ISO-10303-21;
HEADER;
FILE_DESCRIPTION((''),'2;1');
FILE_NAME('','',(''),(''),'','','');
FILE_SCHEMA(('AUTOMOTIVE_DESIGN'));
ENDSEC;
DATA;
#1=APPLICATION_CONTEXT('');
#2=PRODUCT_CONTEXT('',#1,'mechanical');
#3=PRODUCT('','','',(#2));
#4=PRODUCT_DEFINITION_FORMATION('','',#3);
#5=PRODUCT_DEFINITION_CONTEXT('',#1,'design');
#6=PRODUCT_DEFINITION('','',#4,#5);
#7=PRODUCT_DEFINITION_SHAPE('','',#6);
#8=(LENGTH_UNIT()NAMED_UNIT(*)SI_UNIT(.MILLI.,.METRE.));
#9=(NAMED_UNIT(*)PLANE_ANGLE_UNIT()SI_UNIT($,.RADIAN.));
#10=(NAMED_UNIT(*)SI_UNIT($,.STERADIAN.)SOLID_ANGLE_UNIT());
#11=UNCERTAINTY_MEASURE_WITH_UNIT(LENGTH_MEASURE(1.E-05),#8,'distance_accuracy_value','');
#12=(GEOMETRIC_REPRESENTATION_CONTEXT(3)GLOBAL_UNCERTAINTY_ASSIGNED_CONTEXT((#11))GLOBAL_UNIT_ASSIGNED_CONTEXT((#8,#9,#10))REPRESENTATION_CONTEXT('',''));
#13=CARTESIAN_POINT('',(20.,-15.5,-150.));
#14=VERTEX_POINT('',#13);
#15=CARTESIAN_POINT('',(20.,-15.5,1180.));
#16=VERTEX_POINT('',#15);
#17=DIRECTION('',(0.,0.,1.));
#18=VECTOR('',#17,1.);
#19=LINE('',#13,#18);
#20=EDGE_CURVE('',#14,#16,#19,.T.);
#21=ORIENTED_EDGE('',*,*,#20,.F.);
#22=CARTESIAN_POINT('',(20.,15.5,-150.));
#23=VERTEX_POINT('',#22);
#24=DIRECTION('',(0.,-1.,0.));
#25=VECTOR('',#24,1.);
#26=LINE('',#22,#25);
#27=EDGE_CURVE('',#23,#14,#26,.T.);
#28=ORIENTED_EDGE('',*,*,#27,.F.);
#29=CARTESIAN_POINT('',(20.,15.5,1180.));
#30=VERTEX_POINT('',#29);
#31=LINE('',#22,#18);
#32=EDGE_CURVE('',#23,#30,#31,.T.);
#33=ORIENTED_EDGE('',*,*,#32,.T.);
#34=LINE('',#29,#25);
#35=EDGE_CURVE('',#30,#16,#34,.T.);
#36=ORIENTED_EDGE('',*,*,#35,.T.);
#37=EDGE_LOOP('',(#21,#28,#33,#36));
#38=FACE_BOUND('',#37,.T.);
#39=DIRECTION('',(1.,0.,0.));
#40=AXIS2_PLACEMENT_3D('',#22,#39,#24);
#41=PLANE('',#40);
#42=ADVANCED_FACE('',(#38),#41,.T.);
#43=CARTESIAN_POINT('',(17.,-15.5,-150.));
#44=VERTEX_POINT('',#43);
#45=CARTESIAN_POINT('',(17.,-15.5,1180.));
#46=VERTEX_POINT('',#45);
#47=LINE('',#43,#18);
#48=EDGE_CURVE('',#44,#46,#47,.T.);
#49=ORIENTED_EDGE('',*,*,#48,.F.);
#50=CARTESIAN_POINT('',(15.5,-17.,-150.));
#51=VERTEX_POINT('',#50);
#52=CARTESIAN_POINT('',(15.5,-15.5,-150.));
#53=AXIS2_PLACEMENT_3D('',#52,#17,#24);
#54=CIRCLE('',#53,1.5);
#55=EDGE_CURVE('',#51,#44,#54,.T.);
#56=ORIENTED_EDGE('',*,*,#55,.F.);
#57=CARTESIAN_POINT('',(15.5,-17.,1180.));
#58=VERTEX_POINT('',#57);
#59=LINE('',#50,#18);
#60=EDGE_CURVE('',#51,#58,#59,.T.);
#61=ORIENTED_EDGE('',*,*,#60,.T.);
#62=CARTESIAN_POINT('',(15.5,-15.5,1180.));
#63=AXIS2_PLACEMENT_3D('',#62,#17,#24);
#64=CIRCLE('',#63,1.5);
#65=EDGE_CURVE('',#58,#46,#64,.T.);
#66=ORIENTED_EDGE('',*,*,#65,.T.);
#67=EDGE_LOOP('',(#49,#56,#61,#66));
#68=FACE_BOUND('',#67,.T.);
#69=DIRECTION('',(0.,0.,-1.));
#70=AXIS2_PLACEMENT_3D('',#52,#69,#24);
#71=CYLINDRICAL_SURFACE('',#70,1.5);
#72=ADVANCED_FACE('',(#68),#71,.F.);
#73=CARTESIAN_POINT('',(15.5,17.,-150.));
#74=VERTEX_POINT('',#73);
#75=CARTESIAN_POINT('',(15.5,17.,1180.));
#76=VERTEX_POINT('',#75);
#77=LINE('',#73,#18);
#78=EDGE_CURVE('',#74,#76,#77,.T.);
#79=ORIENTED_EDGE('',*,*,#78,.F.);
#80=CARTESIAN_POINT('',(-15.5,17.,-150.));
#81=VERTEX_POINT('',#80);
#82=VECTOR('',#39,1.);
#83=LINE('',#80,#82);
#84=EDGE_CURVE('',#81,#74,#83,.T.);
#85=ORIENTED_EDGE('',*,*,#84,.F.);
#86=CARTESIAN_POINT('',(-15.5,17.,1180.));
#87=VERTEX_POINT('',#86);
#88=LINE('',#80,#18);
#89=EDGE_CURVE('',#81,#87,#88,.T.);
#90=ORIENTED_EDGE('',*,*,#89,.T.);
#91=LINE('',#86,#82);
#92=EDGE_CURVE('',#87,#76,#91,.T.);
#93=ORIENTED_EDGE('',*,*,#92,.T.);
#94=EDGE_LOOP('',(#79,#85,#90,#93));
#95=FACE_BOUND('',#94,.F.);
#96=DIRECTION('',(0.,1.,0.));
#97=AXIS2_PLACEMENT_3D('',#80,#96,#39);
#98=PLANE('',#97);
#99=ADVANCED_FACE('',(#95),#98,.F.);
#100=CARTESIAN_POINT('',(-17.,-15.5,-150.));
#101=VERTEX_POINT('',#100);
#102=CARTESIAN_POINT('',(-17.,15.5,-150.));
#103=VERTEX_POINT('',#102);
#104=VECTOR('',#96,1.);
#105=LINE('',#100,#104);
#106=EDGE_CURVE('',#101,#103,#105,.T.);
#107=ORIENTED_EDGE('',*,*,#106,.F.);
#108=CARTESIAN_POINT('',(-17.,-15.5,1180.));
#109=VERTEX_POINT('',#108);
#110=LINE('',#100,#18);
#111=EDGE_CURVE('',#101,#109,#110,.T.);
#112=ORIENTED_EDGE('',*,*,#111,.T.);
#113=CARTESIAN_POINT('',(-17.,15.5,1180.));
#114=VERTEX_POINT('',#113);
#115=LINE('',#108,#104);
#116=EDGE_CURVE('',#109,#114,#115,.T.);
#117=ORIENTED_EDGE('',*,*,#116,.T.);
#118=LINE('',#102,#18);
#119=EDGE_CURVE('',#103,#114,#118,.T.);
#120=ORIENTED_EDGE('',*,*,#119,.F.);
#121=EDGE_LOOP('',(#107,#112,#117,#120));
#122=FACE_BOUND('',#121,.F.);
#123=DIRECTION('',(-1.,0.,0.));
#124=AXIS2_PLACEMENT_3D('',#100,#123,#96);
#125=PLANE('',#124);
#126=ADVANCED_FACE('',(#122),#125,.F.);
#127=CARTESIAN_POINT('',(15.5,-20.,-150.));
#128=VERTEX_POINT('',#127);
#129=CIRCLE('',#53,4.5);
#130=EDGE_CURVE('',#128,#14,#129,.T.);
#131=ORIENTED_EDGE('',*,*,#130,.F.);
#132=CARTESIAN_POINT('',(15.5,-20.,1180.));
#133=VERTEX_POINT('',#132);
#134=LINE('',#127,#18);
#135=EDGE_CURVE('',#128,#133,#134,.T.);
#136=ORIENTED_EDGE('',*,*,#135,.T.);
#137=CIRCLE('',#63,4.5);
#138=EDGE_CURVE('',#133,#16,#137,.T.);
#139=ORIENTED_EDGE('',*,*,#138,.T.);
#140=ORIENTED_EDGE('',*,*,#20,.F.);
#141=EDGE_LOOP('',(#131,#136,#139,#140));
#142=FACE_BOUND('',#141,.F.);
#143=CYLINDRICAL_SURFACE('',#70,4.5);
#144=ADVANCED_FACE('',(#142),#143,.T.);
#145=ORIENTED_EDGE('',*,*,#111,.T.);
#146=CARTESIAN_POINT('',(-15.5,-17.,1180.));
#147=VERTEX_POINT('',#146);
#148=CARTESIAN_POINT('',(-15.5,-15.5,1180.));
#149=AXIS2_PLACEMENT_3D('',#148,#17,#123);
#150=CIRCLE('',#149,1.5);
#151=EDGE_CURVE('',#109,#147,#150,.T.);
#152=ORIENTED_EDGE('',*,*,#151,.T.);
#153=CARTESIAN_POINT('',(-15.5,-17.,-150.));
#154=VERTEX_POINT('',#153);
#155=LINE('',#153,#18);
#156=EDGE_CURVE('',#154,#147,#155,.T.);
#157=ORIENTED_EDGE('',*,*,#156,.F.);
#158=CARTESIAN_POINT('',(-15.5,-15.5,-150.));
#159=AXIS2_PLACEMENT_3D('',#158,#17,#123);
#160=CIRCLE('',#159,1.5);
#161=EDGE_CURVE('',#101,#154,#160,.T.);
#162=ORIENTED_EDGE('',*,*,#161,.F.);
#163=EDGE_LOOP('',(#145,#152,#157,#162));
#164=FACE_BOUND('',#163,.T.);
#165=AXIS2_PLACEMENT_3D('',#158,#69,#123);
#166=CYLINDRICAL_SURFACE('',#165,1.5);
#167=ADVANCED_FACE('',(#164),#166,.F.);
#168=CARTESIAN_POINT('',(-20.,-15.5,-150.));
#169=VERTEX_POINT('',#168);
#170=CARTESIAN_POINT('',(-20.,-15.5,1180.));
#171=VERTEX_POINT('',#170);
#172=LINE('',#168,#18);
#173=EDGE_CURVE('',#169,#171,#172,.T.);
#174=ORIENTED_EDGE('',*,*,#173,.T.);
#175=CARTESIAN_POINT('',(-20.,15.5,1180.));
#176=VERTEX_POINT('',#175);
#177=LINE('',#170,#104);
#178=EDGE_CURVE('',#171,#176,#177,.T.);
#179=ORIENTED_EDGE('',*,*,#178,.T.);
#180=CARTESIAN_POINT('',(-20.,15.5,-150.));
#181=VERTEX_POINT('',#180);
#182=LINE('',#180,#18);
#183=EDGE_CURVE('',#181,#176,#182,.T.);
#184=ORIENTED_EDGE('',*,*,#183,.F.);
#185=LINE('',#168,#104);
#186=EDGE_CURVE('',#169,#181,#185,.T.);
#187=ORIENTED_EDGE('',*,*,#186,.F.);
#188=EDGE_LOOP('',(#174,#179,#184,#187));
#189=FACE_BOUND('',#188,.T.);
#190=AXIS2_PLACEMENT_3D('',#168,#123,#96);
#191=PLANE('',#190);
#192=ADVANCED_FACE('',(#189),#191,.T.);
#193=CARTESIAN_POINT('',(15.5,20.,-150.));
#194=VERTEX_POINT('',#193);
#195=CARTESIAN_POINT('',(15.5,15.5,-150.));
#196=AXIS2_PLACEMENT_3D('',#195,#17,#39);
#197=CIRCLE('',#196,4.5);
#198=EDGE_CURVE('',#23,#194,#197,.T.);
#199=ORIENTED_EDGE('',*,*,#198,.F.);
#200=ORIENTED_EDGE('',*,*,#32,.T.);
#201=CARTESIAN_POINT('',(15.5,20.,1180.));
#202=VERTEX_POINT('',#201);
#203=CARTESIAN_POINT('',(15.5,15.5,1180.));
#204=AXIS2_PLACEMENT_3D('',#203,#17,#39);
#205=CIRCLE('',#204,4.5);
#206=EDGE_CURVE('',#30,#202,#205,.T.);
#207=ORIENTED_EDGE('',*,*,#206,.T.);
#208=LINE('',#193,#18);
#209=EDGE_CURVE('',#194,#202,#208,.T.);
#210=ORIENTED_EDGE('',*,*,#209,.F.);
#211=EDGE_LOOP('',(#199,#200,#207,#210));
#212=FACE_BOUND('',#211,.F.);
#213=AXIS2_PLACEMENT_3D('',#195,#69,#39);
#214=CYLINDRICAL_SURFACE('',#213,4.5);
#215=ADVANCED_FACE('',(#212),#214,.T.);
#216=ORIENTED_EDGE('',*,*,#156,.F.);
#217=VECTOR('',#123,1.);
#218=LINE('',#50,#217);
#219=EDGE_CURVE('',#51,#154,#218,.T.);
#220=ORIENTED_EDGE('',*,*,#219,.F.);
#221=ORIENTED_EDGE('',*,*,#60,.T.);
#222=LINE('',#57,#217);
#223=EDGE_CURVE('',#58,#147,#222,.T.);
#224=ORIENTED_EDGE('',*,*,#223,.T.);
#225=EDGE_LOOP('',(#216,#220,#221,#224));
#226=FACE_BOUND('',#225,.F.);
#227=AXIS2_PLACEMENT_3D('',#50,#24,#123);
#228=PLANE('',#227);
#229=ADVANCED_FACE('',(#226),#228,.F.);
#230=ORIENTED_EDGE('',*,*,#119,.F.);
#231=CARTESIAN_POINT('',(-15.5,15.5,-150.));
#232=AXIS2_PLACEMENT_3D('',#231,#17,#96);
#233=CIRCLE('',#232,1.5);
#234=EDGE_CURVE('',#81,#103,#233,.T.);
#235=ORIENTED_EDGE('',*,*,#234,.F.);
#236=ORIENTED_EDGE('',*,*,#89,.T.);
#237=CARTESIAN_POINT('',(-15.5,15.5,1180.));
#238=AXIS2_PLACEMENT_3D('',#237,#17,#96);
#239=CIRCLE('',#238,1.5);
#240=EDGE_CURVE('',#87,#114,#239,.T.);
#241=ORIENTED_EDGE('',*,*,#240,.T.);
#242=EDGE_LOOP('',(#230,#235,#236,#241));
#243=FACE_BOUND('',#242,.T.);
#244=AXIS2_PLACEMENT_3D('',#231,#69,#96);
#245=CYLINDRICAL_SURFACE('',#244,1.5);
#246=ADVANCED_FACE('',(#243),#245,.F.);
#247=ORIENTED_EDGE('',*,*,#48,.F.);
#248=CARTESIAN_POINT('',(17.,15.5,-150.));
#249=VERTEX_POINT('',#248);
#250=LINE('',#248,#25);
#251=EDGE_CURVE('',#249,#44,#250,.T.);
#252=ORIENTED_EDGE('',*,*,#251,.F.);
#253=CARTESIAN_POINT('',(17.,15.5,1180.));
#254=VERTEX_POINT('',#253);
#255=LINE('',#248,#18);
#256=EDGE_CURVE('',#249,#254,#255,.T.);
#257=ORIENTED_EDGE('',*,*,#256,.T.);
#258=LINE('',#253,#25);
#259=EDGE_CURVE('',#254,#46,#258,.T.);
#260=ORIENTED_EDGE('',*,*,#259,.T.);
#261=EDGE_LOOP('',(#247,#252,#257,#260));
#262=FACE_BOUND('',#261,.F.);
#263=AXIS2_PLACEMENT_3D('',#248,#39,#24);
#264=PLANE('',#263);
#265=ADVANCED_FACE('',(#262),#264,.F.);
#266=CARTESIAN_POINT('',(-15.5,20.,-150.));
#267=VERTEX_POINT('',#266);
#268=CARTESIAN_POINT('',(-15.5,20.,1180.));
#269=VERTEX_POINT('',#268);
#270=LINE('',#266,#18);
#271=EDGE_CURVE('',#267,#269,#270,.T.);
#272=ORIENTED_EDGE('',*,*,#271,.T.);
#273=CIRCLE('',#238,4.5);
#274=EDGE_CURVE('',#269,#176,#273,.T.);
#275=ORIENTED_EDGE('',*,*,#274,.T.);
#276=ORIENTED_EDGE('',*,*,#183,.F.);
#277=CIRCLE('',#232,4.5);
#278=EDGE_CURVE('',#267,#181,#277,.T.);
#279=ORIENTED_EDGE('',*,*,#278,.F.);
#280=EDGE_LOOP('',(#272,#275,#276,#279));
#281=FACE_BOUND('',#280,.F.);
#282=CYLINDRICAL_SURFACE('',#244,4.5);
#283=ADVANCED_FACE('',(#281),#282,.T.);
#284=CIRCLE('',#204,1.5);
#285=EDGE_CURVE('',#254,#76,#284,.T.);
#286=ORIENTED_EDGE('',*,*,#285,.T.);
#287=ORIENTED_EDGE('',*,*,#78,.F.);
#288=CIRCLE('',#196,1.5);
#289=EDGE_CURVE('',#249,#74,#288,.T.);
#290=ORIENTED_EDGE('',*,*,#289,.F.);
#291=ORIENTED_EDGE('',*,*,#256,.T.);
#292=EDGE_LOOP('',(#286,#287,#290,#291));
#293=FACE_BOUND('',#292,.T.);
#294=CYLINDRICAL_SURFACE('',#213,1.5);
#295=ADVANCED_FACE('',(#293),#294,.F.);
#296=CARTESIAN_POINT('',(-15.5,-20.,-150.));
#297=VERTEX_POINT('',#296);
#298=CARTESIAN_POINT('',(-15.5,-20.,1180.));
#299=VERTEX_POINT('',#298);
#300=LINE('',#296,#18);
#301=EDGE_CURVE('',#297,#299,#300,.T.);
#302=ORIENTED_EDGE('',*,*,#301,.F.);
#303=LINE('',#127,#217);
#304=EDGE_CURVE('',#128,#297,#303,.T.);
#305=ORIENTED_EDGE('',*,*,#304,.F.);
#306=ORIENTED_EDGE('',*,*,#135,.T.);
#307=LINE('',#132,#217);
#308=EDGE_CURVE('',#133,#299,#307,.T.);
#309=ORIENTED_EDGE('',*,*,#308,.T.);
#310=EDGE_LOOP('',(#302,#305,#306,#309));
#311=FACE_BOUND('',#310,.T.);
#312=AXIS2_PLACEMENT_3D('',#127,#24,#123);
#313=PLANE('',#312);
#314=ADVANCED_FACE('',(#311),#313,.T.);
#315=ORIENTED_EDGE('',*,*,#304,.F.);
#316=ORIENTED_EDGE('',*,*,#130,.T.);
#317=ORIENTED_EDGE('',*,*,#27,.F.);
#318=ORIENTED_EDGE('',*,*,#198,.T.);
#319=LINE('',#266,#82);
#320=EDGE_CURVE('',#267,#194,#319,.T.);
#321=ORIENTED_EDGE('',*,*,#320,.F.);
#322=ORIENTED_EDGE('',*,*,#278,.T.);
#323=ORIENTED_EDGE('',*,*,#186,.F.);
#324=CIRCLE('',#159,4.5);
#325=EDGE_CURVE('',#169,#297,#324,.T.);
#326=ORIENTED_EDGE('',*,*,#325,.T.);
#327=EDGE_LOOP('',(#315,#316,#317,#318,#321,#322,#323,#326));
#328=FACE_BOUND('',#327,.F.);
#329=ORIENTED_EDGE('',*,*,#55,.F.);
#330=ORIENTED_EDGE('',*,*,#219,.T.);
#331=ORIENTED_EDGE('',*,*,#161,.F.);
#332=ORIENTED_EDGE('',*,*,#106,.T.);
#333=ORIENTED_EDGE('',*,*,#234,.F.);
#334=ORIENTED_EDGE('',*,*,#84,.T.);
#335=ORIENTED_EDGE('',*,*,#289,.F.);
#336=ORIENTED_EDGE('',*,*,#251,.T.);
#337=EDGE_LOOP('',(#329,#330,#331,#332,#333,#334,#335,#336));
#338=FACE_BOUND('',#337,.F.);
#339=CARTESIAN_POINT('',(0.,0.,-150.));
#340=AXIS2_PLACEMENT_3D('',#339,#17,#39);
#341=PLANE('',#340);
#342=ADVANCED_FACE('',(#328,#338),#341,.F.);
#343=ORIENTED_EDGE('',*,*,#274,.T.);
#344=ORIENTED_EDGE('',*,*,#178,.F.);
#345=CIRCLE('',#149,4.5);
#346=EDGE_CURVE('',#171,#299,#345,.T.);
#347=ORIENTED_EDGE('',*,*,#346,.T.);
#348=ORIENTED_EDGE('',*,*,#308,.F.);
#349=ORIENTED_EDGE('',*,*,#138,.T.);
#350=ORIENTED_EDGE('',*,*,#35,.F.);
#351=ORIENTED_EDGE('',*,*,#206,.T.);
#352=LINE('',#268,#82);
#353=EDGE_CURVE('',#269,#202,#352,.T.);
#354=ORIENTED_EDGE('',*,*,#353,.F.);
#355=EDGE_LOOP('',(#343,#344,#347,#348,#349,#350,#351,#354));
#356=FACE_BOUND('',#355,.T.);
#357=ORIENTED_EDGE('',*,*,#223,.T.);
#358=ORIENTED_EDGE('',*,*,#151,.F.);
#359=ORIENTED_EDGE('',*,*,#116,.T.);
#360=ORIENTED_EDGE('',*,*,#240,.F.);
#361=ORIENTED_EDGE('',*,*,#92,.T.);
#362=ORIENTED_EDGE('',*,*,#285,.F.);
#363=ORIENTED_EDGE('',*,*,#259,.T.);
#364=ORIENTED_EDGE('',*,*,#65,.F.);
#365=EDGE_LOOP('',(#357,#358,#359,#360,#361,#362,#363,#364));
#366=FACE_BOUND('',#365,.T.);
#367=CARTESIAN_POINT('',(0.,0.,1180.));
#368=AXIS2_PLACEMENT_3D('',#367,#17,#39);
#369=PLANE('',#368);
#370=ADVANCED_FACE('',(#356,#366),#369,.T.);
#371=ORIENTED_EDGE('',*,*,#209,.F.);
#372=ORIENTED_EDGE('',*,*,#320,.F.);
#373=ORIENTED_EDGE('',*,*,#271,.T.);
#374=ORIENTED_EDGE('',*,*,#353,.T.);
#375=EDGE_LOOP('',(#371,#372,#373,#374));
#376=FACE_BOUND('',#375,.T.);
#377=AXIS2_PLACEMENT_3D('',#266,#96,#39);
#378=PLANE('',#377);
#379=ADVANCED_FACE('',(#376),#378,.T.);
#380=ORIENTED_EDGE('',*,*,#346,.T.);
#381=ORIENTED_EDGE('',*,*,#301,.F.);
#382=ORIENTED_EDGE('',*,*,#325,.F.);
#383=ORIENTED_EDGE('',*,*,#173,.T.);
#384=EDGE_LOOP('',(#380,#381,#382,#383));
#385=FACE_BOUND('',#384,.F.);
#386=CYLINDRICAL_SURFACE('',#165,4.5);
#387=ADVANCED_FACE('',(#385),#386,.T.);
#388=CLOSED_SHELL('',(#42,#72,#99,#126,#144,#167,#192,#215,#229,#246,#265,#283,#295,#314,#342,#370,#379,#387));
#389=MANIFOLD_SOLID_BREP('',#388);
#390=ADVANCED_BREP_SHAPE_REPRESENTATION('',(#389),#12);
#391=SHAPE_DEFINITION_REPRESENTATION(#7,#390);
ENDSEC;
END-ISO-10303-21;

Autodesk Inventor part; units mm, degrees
ref_plane "Start Plane" through (0, 0, -150) normal (0, 0, 1) x (1, 0, 0)
ref_plane "End Plane" through (0, 0, 1180) normal (0, 0, 1) x (1, 0, 0)
sketch "Sketch" plane through (0, 0, 0) normal (0, 0, 1) x (1, 0, 0)
  line L0 (-20, -15.5) -> (-20, 15.5)
  line L1 (-15.5, 20) -> (15.5, 20)
  line L2 (20, 15.5) -> (20, -15.5)
  line L3 (15.5, -20) -> (-15.5, -20)
  arc A0 (-20, -15.5) -> (-15.5, -20) centre (-15.5, -15.5) ccw
  arc A1 (-15.5, 20) -> (-20, 15.5) centre (-15.5, 15.5) ccw
  arc A2 (20, 15.5) -> (15.5, 20) centre (15.5, 15.5) ccw
  arc A3 (15.5, -20) -> (20, -15.5) centre (15.5, -15.5) ccw
  arc A4 (-15.5, 17) -> (-17, 15.5) centre (-15.5, 15.5) ccw
  line L4 (-15.5, 17) -> (15.5, 17)
  arc A5 (17, 15.5) -> (15.5, 17) centre (15.5, 15.5) ccw
  line L5 (17, 15.5) -> (17, -15.5)
  arc A6 (15.5, -17) -> (17, -15.5) centre (15.5, -15.5) ccw
  line L6 (15.5, -17) -> (-15.5, -17)
  arc A7 (-17, -15.5) -> (-15.5, -17) centre (-15.5, -15.5) ccw
  line L7 (-17, -15.5) -> (-17, 15.5)
  line L8 (0, 29.3048) -> (0, -29.3048) construction
  line L9 (-29.3048, 0) -> (29.3048, 0) construction
  dimension "d7" = 4.5
  dimension "d10" = 40
  dimension "d11" = 40
  dimension "d12" = 3
  dimension "d15" = 20
  dimension "d16" = 20
extrude "Body" add sketch "Sketch" along normal up to surface (1330 mm away) from surface at -150
sketch "Sketch3" plane through (0, 0, 0) normal (0, 0, 1) x (1, 0, 0)
  line L0 (0, 0) -> (10, 0)
ref_plane "Work Plane3" through (0, 0, 0) normal (0, -1, 0) x (1, 0, 0)
ref_plane "Work Plane4" through (2000, 984.5, 1180) normal (0, 0, 1) x (1, 0, 0)
split "Split1" plane through (2000, 984.5, 1180) removes the side toward (0, 0, 1)
sketch "Sketch4" plane through (0, 0, 0) normal (0, -1, 0) x (1, 0, 0)
  line L0 (-2, -150) -> (12, -150) projected
  line L1 (-2, 1180) -> (12, 1180) projected
  dimension "d18" = 1330
equation "\"d7\" = G_IR"
equation "\"d10\" = G_H"
equation "\"d11\" = G_W"
equation "\"d12\" = G_T"
equation "\"d15\" = 0.5 * d10"
equation "\"d16\" = 0.5 * d11"
equation "\"d3\" = G_L"
equation "\"G_W\" = 40"
equation "\"G_H\" = 40"
equation "\"G_T\" = 3"
equation "\"G_IR\" = 4.5"
equation "\"G_L\" = d18"
properties part number "ISO 12633-2 - 40x40x3 - 1330" material "Steel, Mild"
